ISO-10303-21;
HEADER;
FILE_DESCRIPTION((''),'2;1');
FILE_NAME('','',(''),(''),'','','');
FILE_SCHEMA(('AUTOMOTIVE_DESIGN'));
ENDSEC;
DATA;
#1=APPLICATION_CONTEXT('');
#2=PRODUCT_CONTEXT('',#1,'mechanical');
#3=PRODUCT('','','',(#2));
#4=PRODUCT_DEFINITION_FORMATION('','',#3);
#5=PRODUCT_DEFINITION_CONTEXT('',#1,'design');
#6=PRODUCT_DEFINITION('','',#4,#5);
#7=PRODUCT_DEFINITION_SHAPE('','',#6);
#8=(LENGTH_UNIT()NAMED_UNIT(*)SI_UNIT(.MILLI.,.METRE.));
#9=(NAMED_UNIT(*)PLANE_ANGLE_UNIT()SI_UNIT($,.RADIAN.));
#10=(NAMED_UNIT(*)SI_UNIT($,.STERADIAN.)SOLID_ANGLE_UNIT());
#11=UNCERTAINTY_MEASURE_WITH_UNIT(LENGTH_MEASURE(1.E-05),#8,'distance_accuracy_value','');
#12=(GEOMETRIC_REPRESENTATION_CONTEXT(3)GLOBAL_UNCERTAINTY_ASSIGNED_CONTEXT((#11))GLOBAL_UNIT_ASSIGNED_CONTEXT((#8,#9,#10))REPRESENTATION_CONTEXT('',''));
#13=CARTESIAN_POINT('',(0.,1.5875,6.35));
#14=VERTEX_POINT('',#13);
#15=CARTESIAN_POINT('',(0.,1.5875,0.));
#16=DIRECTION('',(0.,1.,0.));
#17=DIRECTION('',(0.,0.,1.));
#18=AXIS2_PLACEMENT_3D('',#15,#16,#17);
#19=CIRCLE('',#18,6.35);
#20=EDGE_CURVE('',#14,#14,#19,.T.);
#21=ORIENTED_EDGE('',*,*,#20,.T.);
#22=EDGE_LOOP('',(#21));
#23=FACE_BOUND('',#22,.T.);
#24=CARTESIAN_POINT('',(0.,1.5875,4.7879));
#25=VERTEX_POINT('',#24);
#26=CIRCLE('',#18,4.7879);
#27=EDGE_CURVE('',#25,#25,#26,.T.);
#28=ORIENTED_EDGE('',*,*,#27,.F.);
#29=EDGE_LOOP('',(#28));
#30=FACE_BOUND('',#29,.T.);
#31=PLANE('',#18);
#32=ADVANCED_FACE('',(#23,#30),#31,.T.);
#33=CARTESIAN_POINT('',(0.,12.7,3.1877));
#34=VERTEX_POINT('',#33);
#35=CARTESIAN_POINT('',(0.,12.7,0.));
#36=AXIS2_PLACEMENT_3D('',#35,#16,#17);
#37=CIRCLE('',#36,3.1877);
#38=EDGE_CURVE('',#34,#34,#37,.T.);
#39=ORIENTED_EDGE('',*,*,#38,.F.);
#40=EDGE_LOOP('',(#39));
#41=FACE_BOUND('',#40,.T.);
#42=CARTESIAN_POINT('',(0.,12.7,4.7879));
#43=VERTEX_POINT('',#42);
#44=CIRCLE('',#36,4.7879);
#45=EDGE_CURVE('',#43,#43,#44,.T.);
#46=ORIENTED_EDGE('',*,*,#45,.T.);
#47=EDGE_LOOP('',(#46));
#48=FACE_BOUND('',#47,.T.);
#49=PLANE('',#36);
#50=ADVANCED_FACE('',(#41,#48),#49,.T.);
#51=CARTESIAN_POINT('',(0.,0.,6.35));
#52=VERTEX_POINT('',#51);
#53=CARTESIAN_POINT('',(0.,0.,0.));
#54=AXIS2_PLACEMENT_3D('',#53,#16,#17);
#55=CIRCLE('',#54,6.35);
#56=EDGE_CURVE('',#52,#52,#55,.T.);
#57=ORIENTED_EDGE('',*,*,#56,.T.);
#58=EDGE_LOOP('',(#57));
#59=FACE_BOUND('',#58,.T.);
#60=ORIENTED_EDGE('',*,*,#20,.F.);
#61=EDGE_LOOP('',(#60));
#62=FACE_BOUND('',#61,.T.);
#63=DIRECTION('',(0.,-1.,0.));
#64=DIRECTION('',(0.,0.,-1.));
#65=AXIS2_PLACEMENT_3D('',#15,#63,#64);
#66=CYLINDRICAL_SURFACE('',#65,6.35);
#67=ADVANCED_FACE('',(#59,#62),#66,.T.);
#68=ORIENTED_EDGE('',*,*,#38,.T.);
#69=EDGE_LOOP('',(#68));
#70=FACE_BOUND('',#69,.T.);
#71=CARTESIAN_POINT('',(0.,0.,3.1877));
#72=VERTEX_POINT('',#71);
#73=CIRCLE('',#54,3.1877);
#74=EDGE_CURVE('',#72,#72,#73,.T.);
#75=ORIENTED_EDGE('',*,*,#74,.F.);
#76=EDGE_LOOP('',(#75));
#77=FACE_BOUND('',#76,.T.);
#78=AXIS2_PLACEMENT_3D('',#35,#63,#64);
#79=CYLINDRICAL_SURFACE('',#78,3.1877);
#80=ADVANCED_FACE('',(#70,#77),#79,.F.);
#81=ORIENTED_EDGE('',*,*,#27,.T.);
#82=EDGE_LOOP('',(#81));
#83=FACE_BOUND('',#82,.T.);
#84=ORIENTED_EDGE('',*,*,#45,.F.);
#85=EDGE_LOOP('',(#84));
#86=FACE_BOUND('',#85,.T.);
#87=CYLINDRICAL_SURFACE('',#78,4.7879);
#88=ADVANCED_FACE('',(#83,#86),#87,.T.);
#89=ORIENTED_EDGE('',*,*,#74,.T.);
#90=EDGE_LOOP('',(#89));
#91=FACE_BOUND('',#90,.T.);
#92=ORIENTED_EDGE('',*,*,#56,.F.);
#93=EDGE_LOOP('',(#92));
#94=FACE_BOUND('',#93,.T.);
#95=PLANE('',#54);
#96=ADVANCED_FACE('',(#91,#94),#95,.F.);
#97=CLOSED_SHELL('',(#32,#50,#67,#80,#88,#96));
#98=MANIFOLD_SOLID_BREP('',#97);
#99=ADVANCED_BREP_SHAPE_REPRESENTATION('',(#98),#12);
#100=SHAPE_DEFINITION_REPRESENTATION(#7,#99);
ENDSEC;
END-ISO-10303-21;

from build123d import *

# Parameters (mm, degrees)
SKETCH2_R           = 4.7879
SKETCH2_R_2         = 3.1877
BOSS_EXTRUDE1_DEPTH = 12.7
SKETCH3_R           = 6.35
SKETCH3_R_2         = 4.7879
BOSS_EXTRUDE2_DEPTH = 1.5875


with BuildPart() as part:
    # Sketch2 → Boss-Extrude1 (new body)
    with BuildSketch(Plane(origin=(0, 0, 0), x_dir=(1, 0, 0), z_dir=(0, 1, 0))):
        Circle(SKETCH2_R)
        Circle(SKETCH2_R_2, mode=Mode.SUBTRACT)
    extrude(amount=BOSS_EXTRUDE1_DEPTH)

    # Sketch3 → Boss-Extrude2 (add)
    with BuildSketch(Plane(origin=(0, 0, 0), x_dir=(1, 0, 0), z_dir=(0, 1, 0))):
        Circle(SKETCH3_R)
        Circle(SKETCH3_R_2, mode=Mode.SUBTRACT)
    extrude(amount=BOSS_EXTRUDE2_DEPTH)


solid = part.part
